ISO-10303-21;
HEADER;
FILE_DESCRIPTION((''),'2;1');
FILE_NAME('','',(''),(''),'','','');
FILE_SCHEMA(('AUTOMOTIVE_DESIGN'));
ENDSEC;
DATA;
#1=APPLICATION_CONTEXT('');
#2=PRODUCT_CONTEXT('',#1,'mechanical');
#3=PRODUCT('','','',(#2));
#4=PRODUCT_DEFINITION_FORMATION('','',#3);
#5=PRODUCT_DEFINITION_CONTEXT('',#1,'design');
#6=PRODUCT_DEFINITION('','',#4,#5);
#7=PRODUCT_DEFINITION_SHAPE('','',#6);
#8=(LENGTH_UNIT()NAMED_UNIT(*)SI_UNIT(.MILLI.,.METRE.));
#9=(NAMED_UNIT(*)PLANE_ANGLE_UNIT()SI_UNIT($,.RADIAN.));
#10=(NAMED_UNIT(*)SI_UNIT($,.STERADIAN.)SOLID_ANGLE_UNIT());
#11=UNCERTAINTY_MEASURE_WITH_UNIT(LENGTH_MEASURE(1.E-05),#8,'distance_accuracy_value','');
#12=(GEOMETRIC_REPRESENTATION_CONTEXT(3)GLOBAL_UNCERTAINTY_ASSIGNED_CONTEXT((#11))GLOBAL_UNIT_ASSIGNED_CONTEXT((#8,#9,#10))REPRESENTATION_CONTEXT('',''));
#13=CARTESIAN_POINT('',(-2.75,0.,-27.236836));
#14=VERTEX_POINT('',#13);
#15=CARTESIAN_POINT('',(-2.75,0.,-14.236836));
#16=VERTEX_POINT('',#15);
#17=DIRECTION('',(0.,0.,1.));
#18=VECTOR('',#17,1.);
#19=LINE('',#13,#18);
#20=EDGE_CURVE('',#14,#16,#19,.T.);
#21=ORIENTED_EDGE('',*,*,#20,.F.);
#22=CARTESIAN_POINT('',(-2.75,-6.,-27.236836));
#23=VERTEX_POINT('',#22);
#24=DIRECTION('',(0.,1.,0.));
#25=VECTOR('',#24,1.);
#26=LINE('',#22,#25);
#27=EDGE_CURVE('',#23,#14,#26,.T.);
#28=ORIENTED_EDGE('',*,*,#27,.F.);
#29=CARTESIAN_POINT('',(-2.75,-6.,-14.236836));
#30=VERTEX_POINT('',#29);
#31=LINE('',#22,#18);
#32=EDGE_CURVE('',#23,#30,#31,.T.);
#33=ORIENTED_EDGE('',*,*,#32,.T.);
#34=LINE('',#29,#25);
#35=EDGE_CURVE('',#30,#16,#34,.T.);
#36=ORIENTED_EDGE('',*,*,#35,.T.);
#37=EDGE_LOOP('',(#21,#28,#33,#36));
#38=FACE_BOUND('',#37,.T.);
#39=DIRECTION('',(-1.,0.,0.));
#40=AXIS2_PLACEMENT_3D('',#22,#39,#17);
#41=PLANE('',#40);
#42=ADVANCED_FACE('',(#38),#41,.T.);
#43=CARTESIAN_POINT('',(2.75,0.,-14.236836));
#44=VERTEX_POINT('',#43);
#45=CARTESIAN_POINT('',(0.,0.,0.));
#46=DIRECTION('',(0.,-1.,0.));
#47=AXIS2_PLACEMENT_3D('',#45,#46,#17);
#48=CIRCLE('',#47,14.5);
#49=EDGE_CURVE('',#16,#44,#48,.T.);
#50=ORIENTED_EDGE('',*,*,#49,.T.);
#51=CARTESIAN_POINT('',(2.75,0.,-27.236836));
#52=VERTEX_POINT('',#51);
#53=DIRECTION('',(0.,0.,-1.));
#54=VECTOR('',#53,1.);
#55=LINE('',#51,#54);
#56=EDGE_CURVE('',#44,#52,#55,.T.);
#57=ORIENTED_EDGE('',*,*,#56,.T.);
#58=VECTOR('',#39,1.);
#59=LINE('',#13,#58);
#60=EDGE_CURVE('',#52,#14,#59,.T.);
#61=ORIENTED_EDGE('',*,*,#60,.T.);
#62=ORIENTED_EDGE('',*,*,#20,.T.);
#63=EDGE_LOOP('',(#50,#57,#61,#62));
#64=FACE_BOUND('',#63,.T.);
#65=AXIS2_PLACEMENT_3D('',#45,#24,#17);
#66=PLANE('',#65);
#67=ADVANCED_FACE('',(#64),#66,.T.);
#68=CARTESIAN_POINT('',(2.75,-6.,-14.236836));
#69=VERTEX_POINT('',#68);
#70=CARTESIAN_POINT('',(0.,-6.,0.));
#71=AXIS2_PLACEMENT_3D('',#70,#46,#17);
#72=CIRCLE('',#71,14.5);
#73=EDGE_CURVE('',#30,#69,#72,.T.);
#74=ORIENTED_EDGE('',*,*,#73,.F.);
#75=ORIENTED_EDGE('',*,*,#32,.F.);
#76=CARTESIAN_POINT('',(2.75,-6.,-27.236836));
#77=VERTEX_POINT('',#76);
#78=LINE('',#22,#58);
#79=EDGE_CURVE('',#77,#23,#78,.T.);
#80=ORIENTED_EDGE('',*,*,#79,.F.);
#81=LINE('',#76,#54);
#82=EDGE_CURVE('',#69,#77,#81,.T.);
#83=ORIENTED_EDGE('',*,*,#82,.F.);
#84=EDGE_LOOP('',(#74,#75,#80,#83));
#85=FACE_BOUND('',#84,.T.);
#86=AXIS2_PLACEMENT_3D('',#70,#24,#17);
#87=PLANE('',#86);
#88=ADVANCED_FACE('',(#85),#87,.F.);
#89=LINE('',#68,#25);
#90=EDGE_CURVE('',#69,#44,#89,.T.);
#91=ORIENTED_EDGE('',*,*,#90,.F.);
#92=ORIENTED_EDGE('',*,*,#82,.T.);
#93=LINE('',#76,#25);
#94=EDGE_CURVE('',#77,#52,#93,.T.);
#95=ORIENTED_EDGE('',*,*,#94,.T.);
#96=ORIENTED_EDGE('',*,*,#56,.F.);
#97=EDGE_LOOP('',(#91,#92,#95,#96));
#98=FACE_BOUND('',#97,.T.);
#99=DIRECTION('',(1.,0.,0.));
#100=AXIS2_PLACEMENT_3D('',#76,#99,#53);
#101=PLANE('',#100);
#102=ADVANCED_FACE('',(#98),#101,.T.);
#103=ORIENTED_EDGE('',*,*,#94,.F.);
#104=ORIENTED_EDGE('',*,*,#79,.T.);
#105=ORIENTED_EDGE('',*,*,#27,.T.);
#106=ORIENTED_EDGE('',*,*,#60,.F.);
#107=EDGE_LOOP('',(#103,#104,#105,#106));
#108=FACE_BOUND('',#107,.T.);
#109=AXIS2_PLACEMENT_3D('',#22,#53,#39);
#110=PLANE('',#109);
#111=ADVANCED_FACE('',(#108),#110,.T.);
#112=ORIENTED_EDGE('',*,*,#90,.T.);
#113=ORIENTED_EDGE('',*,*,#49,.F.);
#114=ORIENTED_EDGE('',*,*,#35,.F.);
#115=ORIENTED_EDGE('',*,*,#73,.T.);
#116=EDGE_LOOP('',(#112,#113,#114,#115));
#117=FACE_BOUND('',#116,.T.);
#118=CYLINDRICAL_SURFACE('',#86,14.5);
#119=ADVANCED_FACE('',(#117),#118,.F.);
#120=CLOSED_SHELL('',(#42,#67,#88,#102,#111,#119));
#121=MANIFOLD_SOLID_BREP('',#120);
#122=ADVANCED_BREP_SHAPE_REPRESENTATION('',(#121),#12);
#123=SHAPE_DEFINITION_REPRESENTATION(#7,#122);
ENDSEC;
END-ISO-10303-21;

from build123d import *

# Parameters (mm, degrees)
BOSS_EXTRU_1_DEPTH = 6


with BuildPart() as part:
    # Esquisse1 → Boss.-Extru.1 (new body)
    with BuildSketch(Plane(origin=(0, 0, 0), x_dir=(1, 0, 0), z_dir=(0, 1, 0))):
        with BuildLine():
            Line((-2.75, 27.236836025), (2.75, 27.236836025))
            Line((2.75, 27.236836025), (2.75, 14.236836025))
            ThreePointArc((2.75, 14.236836025), (0, 14.5), (-2.75, 14.236836025))
            Line((-2.75, 14.236836025), (-2.75, 27.236836025))
        make_face()
    extrude(amount=-BOSS_EXTRU_1_DEPTH)


solid = part.part
